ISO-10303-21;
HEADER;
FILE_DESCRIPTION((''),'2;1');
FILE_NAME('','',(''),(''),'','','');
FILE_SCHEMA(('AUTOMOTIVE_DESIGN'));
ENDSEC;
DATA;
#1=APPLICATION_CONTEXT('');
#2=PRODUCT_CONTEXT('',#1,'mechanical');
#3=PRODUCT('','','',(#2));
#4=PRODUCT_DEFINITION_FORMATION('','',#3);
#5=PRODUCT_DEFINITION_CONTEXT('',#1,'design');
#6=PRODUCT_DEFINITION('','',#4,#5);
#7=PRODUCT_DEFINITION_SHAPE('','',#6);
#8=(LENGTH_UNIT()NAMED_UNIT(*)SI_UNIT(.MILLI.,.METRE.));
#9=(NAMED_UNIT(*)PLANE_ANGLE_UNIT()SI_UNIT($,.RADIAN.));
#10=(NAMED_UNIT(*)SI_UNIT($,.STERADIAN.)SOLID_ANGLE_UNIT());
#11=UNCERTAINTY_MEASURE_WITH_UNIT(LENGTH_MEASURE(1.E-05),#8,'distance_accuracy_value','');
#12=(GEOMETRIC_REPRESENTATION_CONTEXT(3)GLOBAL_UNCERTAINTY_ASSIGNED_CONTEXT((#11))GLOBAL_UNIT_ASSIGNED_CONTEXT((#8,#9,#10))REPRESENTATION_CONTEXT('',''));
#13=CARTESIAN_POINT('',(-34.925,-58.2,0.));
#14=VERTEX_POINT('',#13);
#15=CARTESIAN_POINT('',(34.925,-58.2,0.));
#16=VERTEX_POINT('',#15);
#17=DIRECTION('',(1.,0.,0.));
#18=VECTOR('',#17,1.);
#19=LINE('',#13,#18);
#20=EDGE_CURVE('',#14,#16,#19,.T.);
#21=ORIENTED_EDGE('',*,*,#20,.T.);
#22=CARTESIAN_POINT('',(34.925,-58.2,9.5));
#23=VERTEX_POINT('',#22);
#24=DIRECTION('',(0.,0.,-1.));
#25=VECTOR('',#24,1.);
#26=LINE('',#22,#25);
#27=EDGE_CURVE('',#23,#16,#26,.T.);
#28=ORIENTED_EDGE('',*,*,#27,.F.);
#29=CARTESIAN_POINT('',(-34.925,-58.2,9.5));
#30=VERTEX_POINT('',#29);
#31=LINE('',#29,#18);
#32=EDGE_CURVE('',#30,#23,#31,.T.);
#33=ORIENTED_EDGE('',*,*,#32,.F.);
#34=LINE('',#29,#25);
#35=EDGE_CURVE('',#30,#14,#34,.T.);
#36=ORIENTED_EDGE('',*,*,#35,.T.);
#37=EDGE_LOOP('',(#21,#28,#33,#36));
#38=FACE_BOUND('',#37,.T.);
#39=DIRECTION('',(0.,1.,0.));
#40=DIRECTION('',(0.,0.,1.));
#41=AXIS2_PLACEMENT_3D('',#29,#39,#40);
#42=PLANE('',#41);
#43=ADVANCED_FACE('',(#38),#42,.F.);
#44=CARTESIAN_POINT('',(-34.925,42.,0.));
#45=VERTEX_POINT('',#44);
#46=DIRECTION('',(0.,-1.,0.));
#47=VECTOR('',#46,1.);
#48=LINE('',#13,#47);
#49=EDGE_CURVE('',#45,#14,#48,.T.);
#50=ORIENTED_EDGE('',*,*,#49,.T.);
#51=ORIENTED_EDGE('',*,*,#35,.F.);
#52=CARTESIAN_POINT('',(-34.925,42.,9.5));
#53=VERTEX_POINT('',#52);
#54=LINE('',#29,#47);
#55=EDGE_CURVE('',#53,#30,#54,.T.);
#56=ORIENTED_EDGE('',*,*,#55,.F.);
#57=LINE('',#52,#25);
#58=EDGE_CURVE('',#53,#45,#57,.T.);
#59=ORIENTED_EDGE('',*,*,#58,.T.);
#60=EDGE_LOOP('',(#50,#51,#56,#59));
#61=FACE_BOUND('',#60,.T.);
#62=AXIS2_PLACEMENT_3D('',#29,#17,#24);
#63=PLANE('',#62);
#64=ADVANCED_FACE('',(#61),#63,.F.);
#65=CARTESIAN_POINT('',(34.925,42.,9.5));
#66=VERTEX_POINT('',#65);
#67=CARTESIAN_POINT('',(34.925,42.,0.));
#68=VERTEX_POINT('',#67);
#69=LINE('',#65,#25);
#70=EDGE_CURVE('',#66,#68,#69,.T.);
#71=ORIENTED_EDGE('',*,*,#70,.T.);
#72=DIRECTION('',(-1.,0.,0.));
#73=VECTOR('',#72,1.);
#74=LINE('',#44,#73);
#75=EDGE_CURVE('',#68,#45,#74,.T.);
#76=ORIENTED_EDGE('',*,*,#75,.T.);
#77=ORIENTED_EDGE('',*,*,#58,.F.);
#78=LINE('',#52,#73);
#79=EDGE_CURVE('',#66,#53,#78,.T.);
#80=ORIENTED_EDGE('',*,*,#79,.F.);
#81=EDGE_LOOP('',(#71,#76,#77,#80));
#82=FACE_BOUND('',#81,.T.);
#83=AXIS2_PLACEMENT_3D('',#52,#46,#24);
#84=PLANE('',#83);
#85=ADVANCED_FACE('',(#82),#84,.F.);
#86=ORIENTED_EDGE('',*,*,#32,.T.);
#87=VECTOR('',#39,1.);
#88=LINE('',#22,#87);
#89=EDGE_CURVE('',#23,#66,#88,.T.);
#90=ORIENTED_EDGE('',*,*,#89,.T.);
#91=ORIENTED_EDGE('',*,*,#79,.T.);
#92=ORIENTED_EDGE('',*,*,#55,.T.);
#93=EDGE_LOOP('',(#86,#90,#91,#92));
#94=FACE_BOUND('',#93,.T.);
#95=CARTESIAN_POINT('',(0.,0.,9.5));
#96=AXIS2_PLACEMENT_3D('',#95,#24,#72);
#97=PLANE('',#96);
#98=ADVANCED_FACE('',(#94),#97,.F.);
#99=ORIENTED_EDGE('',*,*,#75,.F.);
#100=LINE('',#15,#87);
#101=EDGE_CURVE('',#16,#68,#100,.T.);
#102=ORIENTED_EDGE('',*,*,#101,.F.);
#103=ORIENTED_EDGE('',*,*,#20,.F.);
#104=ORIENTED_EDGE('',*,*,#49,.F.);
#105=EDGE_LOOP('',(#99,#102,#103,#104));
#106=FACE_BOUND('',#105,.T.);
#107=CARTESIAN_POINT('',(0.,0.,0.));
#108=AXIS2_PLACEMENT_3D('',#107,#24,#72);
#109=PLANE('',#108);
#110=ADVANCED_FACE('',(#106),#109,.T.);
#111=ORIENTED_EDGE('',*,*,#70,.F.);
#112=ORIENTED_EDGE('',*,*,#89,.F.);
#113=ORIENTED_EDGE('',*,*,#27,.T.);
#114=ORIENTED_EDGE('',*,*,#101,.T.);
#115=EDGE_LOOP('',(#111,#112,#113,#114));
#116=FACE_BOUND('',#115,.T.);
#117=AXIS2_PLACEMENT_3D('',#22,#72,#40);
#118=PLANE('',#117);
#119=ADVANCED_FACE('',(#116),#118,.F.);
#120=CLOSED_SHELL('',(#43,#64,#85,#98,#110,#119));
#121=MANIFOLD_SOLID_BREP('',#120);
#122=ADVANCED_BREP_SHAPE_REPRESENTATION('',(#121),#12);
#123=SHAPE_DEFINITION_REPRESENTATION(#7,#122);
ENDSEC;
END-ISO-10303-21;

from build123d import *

# Parameters (mm, degrees)
SKETCH_1_W                  = 69.85
SKETCH_1_H                  = 100.2
HDD_69_85X100_2X9_5_1_DEPTH = 9.5


with BuildPart() as part:
    # Эскиз1 → HDD_69_85x100_2x9_5_1 (new body)
    with BuildSketch(Plane.XY):
        with Locations((0, -8.1)):
            Rectangle(SKETCH_1_W, SKETCH_1_H)
    extrude(amount=HDD_69_85X100_2X9_5_1_DEPTH)


solid = part.part
